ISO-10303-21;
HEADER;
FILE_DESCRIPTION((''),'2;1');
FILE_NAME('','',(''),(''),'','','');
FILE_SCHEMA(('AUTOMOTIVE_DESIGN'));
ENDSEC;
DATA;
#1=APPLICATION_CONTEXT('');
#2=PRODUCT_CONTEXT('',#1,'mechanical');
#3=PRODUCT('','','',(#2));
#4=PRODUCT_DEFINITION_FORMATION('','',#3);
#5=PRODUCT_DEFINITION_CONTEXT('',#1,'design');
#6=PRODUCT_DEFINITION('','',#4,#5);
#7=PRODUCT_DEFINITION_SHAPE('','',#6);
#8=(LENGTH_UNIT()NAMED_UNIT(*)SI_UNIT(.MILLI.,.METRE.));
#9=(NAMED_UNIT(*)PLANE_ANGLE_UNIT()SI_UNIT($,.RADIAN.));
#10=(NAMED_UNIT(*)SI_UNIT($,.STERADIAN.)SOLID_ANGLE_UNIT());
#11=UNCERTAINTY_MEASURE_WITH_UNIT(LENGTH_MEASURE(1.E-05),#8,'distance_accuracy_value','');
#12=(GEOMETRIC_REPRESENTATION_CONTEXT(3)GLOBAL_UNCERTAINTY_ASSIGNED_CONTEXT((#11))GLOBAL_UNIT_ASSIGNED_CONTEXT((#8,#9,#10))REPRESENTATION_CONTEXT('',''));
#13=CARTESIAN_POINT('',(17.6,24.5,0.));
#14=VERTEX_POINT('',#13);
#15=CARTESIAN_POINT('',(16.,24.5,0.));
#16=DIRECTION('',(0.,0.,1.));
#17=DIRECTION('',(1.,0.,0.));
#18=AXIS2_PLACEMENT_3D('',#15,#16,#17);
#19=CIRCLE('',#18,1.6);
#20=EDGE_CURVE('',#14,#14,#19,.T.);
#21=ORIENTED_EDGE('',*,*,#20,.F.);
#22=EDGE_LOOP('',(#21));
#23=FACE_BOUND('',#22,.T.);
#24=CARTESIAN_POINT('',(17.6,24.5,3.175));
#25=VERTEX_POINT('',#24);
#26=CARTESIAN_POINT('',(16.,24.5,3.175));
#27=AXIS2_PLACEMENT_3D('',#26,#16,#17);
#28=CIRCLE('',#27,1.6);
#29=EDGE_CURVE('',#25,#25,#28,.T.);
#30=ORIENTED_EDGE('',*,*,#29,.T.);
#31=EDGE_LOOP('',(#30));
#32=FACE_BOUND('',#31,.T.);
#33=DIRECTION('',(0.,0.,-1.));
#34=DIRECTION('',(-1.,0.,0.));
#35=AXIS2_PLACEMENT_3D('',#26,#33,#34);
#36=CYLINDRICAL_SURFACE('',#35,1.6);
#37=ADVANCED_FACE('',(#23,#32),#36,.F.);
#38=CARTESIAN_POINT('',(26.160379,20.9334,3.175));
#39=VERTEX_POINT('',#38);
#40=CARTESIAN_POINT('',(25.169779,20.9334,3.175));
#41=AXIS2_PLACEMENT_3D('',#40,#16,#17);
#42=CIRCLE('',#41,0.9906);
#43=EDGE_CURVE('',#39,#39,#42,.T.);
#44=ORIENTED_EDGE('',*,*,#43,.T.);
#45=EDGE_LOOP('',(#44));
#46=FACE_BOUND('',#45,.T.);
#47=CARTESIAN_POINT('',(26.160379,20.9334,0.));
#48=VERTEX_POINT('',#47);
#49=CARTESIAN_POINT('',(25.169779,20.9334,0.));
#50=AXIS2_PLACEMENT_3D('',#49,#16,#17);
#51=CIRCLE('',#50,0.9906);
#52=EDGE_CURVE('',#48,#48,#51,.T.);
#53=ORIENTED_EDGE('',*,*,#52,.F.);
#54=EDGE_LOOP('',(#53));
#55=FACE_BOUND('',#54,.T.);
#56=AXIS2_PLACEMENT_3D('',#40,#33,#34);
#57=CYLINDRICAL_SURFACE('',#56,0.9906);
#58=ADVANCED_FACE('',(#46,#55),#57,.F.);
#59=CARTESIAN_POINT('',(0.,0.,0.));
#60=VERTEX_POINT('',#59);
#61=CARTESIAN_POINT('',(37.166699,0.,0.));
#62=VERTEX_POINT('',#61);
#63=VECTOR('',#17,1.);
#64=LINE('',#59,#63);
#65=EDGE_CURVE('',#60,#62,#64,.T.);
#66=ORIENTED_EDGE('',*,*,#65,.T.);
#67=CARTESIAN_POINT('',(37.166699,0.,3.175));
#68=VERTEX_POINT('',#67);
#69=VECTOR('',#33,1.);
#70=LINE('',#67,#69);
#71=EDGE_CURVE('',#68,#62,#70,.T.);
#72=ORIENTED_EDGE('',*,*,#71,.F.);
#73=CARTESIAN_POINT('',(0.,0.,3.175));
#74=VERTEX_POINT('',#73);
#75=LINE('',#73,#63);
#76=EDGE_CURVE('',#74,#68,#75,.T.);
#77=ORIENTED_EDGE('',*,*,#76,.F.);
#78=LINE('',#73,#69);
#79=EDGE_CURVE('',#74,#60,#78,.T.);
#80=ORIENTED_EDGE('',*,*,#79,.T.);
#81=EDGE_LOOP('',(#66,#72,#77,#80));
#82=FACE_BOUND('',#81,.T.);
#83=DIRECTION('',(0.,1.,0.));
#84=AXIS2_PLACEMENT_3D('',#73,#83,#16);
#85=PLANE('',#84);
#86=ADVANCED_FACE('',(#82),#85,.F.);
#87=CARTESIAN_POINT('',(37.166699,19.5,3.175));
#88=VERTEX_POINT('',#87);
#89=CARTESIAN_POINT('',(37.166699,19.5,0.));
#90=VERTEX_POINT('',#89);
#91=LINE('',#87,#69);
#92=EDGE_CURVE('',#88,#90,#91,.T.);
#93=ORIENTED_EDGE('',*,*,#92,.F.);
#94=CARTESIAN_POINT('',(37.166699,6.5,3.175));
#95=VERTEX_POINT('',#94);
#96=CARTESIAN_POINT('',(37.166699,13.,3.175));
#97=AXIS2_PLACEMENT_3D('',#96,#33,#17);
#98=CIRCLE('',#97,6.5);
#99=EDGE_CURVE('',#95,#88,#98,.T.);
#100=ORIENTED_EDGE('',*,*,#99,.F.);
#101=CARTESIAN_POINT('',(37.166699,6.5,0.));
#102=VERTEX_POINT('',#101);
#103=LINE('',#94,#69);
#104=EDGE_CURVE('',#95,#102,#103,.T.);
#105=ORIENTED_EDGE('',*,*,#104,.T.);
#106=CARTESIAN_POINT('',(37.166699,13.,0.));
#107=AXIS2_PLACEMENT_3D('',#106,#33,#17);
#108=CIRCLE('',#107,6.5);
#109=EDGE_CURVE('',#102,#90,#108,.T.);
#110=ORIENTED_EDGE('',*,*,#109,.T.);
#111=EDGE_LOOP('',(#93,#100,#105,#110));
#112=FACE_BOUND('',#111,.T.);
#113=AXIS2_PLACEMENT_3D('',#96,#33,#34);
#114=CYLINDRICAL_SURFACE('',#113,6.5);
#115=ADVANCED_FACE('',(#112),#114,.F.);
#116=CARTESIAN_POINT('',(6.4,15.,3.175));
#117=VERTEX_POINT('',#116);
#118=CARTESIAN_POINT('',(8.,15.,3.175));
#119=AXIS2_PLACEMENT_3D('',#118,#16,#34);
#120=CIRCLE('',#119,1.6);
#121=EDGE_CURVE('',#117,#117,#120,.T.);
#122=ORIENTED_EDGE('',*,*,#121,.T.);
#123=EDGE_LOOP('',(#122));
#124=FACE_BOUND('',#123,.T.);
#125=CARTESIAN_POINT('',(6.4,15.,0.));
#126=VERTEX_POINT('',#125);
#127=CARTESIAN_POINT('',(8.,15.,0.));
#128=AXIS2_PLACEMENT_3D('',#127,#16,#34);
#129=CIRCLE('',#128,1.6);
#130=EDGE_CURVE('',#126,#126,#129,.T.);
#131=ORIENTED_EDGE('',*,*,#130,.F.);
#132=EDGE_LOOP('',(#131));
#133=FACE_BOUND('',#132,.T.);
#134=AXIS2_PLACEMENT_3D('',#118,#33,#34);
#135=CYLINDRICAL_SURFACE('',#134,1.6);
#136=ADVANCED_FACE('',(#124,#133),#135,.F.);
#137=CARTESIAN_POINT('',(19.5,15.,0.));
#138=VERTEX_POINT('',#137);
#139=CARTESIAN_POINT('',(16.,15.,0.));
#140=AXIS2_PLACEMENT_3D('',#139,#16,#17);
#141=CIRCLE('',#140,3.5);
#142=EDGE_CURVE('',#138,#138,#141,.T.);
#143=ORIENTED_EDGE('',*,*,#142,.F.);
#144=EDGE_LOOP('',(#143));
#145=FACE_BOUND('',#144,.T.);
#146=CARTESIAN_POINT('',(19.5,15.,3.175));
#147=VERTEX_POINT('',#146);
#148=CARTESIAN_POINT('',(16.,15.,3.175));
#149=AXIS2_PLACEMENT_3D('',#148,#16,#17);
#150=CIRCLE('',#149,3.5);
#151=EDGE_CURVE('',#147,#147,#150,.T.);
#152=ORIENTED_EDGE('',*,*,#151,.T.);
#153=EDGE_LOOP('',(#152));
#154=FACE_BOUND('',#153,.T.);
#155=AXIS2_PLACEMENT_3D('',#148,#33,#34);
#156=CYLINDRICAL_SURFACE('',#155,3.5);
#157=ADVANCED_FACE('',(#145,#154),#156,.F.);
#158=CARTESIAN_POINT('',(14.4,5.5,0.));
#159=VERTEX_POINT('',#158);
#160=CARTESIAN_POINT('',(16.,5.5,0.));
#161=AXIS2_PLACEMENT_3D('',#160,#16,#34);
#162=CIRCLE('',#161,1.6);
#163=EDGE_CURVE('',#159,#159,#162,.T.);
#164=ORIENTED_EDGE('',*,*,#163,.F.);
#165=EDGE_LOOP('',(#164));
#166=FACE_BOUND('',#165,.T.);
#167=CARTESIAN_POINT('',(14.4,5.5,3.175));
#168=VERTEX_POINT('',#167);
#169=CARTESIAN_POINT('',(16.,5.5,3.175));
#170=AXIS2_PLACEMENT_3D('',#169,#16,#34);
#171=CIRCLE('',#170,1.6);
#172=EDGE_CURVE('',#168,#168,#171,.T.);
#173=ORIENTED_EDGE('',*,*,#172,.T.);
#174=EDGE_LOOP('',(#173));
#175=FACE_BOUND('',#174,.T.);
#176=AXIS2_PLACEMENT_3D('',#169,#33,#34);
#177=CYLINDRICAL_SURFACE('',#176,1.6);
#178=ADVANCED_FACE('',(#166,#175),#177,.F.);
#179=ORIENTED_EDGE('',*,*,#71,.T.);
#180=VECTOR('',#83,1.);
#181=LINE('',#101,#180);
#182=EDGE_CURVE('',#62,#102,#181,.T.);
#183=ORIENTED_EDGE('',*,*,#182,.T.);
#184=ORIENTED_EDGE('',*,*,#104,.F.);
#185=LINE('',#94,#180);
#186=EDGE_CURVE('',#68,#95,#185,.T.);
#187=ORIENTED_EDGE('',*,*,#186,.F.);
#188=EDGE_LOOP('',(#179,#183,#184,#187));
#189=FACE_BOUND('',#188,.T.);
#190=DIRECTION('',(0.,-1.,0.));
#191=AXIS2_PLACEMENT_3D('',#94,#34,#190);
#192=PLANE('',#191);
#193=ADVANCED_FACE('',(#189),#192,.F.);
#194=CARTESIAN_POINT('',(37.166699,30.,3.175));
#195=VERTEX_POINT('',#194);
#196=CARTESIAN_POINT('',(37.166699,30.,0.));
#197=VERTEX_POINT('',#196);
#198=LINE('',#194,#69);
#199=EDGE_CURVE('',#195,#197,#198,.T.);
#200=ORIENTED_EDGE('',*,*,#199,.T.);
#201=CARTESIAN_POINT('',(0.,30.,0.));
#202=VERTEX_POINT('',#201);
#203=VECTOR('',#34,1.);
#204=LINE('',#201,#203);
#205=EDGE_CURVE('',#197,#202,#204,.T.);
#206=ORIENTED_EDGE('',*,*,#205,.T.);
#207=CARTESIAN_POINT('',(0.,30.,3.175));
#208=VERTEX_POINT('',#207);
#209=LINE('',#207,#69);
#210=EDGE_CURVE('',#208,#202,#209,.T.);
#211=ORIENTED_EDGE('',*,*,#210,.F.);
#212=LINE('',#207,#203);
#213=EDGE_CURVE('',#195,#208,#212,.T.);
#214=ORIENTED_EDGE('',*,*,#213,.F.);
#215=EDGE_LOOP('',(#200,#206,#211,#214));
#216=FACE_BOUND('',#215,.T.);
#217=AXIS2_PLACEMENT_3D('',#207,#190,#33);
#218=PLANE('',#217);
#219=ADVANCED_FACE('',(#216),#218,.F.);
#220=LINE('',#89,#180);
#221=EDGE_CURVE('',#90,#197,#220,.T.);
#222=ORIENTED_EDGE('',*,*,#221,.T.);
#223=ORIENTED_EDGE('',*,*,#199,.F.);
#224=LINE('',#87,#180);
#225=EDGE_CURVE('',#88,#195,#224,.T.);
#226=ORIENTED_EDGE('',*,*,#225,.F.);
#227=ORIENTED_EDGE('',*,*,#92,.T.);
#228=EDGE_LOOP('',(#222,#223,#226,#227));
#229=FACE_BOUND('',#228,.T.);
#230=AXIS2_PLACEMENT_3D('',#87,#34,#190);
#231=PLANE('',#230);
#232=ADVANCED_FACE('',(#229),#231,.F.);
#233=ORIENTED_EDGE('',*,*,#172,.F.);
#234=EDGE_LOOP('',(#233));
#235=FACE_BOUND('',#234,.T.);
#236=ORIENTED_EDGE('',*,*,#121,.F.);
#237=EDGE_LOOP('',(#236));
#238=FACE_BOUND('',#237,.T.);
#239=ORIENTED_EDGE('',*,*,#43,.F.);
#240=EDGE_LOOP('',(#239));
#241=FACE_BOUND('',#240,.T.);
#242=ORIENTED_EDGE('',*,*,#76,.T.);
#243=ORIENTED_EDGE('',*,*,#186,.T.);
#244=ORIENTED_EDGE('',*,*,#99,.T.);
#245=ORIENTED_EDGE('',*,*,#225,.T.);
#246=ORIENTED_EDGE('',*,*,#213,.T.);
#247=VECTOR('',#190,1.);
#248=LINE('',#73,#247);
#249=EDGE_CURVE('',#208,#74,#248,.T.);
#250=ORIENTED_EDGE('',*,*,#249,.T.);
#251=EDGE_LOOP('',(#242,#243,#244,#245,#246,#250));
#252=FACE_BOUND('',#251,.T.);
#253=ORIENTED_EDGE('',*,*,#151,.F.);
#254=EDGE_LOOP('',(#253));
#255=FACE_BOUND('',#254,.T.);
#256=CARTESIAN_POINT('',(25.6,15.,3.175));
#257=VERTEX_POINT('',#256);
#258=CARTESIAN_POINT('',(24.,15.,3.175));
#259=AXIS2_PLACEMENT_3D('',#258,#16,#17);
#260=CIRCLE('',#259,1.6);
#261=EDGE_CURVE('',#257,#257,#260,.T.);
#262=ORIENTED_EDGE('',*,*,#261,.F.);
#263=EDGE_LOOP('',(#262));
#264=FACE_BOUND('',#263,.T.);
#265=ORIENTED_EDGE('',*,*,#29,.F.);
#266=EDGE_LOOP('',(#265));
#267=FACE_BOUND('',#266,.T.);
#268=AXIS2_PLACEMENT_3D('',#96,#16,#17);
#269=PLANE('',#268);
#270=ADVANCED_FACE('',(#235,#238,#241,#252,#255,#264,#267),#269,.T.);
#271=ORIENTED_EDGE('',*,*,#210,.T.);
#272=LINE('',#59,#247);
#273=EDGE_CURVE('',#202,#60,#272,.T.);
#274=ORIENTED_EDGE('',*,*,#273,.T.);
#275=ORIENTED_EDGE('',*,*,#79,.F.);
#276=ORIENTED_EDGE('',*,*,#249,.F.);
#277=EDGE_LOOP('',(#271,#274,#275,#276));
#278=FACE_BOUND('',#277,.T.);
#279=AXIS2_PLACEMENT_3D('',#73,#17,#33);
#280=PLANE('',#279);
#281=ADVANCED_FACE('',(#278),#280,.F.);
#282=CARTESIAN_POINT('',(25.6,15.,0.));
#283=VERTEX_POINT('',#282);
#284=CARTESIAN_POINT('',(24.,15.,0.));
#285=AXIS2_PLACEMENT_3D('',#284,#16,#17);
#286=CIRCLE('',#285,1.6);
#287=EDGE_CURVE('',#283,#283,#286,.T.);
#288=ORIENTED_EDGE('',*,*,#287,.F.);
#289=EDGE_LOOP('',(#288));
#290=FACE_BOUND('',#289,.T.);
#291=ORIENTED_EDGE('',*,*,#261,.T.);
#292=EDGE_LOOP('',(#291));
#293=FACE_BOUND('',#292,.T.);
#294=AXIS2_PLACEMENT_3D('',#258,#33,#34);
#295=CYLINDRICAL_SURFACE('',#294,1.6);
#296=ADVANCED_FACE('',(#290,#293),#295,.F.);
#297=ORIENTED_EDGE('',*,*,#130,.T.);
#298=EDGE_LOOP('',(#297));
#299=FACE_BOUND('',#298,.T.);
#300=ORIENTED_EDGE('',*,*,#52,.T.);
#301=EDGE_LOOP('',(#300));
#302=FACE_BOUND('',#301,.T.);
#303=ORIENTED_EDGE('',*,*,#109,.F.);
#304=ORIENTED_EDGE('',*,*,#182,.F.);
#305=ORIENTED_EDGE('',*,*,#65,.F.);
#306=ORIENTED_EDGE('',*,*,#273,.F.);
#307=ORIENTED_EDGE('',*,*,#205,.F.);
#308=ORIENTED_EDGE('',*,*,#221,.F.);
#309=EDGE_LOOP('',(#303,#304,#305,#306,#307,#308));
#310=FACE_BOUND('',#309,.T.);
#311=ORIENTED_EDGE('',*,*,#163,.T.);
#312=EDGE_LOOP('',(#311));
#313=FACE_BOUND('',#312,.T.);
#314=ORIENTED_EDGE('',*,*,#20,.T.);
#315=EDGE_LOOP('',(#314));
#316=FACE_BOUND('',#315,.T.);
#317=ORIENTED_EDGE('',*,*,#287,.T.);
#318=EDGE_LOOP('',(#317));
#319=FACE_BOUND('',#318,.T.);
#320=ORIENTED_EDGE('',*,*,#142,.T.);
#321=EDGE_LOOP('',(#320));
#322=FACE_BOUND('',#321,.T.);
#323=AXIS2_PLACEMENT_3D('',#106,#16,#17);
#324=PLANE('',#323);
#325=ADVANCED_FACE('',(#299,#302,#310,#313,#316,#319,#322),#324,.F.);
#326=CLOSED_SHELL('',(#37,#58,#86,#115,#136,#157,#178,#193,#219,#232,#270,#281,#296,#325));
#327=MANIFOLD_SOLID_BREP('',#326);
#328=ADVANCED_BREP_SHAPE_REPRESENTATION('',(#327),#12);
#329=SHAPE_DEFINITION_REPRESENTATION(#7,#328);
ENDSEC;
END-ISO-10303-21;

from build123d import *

# Parameters (mm, degrees)
SKETCH1_R           = 0.9906
SKETCH1_R_2         = 1.6
SKETCH1_R_3         = 3.5
BOSS_EXTRUDE2_DEPTH = 3.175


with BuildPart() as part:
    # Sketch1 → Boss-Extrude2 (new body)
    with BuildSketch(Plane.XY):
        with BuildLine():
            Line((0, 0), (37.166699296, 0))
            Line((37.166699296, 0), (37.166699296, 6.5))
            ThreePointArc((37.166699296, 6.5), (30.666699296, 13), (37.166699296, 19.5))
            Line((37.166699296, 19.5), (37.166699296, 30))
            Line((37.166699296, 30), (0, 30))
            Line((0, 30), (0, 0))
        make_face()
        with Locations((25.169778966, 20.933400182)):
            Circle(SKETCH1_R, mode=Mode.SUBTRACT)
        with Locations((16, 24.5)):
            Circle(SKETCH1_R_2, mode=Mode.SUBTRACT)
        with Locations((24, 15)):
            Circle(SKETCH1_R_2, mode=Mode.SUBTRACT)
        with Locations(Location((16, 5.5, 0), (0, 0, 180))):
            Circle(SKETCH1_R_2, mode=Mode.SUBTRACT)
        with Locations(Location((8, 15, 0), (0, 0, 180))):
            Circle(SKETCH1_R_2, mode=Mode.SUBTRACT)
        with Locations((16, 15)):
            Circle(SKETCH1_R_3, mode=Mode.SUBTRACT)
    extrude(amount=BOSS_EXTRUDE2_DEPTH)


solid = part.part
